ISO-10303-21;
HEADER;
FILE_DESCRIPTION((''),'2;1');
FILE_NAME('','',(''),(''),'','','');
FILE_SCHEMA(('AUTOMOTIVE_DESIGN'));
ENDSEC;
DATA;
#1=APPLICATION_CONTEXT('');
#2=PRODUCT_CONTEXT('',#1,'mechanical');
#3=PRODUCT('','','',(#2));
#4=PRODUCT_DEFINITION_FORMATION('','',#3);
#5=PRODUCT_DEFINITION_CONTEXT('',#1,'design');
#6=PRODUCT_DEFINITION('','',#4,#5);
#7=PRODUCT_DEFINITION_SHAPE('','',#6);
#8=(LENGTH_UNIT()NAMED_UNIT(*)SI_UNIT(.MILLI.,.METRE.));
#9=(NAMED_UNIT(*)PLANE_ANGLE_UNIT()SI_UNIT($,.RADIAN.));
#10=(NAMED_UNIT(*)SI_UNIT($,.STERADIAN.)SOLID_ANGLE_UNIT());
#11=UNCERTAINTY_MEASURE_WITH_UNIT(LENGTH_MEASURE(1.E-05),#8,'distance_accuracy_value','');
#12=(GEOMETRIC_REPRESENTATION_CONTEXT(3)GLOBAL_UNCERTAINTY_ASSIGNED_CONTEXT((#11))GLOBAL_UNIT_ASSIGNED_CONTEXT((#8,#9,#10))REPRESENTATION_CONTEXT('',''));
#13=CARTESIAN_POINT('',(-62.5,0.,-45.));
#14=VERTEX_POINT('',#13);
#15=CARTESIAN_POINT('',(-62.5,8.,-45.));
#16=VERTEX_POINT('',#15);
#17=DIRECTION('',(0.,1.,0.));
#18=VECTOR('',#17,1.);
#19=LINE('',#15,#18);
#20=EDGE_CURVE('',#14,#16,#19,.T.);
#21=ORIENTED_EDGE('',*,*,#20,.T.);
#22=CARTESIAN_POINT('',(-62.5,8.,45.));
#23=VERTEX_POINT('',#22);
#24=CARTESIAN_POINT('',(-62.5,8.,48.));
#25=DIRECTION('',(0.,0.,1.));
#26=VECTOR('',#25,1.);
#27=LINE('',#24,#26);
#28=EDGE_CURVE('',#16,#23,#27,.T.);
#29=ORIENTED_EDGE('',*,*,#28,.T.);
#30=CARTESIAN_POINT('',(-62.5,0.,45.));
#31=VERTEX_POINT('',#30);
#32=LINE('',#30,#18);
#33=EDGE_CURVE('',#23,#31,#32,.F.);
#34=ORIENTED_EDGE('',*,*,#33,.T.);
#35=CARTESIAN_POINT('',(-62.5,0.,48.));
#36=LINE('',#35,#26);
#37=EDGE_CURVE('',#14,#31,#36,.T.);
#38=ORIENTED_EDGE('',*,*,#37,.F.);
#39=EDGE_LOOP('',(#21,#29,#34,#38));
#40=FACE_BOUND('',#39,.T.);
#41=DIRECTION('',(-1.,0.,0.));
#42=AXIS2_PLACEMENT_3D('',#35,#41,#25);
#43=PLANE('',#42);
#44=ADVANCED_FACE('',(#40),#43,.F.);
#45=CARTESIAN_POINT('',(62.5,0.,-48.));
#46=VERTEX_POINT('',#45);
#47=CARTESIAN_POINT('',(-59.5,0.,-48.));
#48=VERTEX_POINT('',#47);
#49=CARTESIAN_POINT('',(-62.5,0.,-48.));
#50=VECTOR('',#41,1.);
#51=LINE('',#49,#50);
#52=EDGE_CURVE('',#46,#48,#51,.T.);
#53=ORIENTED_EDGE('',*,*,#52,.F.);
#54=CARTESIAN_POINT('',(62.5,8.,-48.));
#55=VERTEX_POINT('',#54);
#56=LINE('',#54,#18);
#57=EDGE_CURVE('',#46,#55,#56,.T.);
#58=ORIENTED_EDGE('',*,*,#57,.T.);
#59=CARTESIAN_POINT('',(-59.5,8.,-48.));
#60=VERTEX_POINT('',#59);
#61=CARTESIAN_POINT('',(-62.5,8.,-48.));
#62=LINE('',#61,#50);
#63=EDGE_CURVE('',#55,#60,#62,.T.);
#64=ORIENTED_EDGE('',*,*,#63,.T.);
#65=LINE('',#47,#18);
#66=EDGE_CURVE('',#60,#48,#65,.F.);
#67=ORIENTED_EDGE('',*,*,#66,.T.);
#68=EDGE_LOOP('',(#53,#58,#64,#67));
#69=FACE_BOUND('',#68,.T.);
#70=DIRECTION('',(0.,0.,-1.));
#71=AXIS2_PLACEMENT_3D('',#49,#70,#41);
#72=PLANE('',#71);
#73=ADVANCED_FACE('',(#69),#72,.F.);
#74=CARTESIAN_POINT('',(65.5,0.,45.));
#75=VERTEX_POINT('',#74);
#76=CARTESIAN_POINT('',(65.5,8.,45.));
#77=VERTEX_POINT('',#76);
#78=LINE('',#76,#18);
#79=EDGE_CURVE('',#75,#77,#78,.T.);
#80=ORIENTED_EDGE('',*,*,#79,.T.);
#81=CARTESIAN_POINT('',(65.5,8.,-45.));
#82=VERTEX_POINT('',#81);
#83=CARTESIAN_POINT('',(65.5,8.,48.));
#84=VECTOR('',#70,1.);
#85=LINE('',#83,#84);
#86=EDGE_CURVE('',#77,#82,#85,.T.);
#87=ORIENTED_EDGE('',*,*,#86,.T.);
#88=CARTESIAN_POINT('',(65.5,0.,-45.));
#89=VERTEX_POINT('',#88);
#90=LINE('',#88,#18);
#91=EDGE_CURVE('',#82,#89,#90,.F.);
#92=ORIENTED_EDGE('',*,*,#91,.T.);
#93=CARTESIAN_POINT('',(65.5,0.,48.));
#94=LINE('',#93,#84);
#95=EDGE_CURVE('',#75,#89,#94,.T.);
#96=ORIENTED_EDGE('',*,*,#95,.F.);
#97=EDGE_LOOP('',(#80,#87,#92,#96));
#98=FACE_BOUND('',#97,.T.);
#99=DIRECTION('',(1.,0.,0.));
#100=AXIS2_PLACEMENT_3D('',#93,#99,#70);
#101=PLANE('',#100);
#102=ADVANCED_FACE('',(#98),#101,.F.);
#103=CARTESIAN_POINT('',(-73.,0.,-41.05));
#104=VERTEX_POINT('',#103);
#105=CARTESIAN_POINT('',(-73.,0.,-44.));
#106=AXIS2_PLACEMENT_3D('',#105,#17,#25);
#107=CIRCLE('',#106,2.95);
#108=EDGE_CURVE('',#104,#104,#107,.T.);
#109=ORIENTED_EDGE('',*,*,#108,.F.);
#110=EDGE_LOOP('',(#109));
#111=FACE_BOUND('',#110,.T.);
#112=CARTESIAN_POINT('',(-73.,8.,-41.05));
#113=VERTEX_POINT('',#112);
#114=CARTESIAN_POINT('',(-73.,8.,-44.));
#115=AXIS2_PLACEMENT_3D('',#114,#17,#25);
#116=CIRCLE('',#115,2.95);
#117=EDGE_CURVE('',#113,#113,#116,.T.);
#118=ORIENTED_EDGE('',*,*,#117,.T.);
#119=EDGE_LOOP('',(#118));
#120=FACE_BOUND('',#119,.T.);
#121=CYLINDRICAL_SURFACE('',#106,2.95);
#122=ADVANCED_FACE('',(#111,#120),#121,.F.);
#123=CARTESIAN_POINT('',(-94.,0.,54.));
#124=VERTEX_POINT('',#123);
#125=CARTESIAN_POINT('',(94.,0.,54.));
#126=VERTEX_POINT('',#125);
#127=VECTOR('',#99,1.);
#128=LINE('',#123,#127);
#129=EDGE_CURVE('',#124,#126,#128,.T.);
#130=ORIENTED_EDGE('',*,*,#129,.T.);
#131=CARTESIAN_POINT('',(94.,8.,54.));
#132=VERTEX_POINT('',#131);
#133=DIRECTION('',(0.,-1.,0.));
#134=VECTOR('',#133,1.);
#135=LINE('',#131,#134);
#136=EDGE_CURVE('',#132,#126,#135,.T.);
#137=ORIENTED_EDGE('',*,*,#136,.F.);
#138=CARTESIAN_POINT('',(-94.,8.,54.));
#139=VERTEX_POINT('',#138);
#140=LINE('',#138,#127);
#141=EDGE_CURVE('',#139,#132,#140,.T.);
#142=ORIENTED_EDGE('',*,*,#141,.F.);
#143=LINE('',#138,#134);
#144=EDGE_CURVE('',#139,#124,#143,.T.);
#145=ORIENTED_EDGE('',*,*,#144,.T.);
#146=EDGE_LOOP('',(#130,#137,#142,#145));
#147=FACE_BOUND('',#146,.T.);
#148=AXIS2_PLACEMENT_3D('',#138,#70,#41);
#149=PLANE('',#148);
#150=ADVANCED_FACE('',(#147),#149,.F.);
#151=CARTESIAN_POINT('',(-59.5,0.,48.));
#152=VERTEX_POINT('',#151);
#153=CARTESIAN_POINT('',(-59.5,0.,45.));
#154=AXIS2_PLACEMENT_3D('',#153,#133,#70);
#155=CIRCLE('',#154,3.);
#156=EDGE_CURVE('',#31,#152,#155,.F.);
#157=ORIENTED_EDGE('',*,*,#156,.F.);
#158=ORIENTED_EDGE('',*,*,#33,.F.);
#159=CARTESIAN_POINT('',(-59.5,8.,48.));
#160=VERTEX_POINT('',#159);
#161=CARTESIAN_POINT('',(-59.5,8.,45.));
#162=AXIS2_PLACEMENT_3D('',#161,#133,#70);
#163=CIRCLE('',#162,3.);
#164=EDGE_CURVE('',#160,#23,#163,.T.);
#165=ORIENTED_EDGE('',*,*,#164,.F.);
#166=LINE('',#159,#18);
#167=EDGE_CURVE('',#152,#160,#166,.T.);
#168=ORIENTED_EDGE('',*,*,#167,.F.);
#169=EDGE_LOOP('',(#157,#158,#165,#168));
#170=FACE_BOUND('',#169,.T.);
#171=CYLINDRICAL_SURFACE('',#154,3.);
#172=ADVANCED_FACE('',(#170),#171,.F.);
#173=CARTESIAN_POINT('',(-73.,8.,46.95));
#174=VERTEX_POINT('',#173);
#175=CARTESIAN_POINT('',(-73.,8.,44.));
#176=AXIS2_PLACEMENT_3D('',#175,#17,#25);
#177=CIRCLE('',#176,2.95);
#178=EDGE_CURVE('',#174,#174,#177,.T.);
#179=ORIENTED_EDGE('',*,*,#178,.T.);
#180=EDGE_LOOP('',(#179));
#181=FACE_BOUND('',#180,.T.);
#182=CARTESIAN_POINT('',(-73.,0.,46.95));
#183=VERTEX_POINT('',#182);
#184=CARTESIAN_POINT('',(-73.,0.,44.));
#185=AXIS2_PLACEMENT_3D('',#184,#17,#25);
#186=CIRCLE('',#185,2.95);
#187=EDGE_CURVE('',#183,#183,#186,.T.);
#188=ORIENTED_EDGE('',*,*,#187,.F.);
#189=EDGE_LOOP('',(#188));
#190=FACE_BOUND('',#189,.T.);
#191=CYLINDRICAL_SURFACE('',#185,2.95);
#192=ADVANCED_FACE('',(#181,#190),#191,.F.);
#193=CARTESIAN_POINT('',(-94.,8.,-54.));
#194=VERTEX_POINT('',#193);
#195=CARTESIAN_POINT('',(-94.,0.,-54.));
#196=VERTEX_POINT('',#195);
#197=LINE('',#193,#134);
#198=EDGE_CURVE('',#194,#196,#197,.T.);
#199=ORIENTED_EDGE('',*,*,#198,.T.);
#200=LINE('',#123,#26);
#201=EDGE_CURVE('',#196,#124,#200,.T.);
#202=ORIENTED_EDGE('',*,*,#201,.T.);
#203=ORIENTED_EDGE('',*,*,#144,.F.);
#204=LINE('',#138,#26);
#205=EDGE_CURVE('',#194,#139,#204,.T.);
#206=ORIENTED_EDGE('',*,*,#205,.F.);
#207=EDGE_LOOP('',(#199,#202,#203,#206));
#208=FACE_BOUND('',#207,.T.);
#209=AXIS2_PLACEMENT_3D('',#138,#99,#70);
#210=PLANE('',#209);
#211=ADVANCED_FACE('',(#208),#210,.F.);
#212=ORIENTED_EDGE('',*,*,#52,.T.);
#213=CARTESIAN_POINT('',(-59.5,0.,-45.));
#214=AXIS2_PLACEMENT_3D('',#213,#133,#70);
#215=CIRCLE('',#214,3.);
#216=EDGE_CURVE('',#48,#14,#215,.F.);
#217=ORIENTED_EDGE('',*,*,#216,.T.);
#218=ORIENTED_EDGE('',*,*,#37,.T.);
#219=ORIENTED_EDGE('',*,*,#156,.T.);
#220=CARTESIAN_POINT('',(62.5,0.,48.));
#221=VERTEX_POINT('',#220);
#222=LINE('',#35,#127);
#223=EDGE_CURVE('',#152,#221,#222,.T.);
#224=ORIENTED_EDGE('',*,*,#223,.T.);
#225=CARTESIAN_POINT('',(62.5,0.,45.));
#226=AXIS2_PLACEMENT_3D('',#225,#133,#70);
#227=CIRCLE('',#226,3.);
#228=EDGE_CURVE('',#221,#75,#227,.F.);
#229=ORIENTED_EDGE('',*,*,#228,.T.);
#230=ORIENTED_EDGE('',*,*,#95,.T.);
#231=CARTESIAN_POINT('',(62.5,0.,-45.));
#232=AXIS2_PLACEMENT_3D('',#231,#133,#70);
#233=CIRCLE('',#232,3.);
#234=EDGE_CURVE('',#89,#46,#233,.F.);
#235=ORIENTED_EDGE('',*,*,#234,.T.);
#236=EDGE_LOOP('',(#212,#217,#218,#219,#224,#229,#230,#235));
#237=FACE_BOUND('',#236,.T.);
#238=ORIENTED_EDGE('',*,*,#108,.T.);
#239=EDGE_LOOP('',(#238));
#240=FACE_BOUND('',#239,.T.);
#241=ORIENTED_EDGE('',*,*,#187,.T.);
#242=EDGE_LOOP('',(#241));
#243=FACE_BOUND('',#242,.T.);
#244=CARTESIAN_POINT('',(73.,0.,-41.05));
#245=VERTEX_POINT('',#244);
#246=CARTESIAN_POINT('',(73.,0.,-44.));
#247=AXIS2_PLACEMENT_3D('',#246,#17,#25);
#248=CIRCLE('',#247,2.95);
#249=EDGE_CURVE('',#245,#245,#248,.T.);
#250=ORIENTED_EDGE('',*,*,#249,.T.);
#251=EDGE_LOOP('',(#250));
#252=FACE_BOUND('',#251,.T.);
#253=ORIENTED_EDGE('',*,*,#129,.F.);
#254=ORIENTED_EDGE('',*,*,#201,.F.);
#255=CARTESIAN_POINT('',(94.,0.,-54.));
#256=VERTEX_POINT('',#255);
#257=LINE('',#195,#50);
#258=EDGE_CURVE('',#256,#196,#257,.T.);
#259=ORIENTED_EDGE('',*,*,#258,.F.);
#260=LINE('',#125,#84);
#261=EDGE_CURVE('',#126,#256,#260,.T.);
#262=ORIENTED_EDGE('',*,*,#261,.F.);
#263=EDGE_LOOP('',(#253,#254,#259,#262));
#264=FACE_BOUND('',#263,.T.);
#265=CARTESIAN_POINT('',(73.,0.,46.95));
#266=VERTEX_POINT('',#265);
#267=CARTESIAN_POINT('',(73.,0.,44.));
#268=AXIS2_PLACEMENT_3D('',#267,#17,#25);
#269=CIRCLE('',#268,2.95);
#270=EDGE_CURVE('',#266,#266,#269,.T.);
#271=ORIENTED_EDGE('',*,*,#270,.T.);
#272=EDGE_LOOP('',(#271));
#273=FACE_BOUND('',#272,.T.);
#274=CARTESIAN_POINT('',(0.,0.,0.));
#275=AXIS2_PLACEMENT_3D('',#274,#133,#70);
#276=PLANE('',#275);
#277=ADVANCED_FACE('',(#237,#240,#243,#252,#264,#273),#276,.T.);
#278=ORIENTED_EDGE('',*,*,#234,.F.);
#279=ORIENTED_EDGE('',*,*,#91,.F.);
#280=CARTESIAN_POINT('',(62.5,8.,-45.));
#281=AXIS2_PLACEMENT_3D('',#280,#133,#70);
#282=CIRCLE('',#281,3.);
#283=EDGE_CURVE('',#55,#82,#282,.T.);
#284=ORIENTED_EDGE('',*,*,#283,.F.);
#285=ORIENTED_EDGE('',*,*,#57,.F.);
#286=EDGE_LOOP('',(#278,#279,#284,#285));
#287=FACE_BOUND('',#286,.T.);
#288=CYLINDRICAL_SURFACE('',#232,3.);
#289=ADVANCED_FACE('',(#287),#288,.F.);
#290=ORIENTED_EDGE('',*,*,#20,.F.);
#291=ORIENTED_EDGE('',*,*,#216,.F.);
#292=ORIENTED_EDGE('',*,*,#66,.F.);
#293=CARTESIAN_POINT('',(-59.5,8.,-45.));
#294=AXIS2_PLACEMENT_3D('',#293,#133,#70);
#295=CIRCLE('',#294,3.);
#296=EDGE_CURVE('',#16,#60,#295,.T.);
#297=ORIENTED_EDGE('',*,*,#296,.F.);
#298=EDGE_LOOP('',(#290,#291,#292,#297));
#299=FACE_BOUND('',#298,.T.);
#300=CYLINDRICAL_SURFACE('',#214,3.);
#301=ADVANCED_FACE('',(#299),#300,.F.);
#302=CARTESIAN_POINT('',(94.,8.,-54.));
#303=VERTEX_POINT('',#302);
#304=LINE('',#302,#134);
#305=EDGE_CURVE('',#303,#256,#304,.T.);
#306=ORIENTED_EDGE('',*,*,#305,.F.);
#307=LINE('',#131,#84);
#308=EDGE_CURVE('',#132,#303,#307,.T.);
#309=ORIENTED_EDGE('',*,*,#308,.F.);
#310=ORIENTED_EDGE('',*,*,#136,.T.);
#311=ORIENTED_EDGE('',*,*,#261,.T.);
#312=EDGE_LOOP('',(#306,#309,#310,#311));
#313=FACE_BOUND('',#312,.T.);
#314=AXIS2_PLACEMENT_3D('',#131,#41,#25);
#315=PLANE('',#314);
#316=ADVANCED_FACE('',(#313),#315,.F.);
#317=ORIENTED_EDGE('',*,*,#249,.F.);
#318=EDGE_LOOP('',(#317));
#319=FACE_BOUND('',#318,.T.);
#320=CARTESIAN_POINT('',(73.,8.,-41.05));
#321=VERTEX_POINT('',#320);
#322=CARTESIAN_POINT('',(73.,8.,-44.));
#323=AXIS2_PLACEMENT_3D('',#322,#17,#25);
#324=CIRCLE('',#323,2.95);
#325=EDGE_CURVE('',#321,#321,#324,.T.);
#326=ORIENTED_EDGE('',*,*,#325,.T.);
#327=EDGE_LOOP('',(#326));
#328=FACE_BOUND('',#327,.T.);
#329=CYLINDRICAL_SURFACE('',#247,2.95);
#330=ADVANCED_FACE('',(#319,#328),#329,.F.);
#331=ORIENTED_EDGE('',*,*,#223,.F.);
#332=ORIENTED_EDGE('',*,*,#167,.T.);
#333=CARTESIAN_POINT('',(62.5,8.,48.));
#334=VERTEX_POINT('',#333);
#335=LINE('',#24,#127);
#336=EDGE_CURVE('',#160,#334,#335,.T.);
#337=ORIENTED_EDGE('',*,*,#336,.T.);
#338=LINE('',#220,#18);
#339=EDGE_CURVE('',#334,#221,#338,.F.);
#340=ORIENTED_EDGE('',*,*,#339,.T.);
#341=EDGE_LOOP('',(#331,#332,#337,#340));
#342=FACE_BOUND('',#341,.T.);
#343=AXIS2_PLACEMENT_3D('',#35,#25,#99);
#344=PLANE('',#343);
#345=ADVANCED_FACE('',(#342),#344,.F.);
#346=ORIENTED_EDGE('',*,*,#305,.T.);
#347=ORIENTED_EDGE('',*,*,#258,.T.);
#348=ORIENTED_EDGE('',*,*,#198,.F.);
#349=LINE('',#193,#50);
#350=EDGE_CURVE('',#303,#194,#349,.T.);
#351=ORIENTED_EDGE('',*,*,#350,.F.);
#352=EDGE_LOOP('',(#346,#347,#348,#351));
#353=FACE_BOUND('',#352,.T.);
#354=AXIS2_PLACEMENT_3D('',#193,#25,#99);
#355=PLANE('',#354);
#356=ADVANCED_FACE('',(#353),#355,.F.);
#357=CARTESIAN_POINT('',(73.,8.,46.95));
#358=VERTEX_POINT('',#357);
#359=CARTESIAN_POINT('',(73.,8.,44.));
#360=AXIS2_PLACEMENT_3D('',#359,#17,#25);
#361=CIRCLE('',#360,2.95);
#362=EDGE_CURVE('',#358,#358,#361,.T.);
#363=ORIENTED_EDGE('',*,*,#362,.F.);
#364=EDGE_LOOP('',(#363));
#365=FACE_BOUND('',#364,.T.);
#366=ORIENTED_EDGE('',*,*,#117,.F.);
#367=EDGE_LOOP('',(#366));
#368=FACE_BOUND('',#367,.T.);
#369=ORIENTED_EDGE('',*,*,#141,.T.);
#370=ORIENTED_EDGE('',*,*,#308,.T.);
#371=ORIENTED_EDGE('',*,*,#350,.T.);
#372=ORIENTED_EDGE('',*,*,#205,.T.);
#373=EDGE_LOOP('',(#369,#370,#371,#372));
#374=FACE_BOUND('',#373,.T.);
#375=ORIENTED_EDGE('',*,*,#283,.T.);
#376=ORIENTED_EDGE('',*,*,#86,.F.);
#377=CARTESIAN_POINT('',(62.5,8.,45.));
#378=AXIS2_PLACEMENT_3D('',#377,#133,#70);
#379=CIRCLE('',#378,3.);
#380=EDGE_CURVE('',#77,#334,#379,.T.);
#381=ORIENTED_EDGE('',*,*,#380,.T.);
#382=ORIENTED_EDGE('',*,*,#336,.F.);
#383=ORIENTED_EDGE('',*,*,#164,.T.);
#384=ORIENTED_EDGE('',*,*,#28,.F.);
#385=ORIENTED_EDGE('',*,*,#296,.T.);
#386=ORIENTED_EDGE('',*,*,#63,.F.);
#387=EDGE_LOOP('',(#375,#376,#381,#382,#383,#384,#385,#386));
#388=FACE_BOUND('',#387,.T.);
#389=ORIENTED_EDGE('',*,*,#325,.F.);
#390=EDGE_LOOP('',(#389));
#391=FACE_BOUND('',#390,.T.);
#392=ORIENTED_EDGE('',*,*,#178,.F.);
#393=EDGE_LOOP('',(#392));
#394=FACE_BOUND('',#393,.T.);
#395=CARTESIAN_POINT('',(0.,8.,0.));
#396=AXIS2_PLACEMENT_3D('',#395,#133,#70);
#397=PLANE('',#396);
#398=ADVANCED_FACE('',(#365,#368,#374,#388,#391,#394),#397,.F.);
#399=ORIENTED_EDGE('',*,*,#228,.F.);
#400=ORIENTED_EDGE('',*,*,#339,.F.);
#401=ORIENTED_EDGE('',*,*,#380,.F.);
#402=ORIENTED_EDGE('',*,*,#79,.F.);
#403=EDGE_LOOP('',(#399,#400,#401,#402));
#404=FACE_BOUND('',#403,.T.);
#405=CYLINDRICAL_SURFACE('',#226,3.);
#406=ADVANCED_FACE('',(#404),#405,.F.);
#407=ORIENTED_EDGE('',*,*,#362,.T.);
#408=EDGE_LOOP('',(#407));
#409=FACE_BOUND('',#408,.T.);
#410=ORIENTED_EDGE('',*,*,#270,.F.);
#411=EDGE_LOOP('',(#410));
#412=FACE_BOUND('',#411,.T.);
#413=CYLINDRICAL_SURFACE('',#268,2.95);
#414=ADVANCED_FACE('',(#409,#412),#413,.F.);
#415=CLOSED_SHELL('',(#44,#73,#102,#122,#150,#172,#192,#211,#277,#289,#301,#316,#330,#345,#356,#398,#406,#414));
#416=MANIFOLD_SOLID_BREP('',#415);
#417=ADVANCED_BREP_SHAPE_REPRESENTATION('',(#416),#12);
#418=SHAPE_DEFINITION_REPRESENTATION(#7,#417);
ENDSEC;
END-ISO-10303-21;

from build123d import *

# Parameters (mm, degrees)
SKETCH_1_W          = 188
SKETCH_1_H          = 108
EXTRUDE_1_DEPTH     = 8
SKETCH_2_R          = 2.95
SKETCH_2_W          = 128
SKETCH_2_H          = 96
CUT_EXTRUDE_1_DEPTH = 9
FILLET_1_R          = 3


with BuildPart() as part:
    # Эскиз1 → Бобышка-Вытянуть1 (new body)
    with BuildSketch(Plane(origin=(0, 0, 0), x_dir=(1, 0, 0), z_dir=(0, 1, 0))):
        Rectangle(SKETCH_1_W, SKETCH_1_H)
    extrude(amount=EXTRUDE_1_DEPTH)

    # Эскиз2 → Вырез-Вытянуть1 (cut, through all)
    with BuildSketch(Plane(origin=(0, 8, 0), x_dir=(1, 0, 0), z_dir=(0, 1, 0))):
        with Locations((-73, 44)):
            Circle(SKETCH_2_R)
        with Locations((73, 44)):
            Circle(SKETCH_2_R)
        with Locations((-73, -44)):
            Circle(SKETCH_2_R)
        with Locations((73, -44)):
            Circle(SKETCH_2_R)
        with Locations((1.5, 0)):
            Rectangle(SKETCH_2_W, SKETCH_2_H)
    extrude(amount=-CUT_EXTRUDE_1_DEPTH, mode=Mode.SUBTRACT)

    # Скругление1
    fillet_1_edges = [part.edges().sort_by_distance(p)[0] for p in [
        (65.5, 4, -48),
        (65.5, 4, 48),
        (-62.5, 4, 48),
        (-62.5, 4, -48),
    ]]
    fillet(fillet_1_edges, radius=FILLET_1_R)


solid = part.part
